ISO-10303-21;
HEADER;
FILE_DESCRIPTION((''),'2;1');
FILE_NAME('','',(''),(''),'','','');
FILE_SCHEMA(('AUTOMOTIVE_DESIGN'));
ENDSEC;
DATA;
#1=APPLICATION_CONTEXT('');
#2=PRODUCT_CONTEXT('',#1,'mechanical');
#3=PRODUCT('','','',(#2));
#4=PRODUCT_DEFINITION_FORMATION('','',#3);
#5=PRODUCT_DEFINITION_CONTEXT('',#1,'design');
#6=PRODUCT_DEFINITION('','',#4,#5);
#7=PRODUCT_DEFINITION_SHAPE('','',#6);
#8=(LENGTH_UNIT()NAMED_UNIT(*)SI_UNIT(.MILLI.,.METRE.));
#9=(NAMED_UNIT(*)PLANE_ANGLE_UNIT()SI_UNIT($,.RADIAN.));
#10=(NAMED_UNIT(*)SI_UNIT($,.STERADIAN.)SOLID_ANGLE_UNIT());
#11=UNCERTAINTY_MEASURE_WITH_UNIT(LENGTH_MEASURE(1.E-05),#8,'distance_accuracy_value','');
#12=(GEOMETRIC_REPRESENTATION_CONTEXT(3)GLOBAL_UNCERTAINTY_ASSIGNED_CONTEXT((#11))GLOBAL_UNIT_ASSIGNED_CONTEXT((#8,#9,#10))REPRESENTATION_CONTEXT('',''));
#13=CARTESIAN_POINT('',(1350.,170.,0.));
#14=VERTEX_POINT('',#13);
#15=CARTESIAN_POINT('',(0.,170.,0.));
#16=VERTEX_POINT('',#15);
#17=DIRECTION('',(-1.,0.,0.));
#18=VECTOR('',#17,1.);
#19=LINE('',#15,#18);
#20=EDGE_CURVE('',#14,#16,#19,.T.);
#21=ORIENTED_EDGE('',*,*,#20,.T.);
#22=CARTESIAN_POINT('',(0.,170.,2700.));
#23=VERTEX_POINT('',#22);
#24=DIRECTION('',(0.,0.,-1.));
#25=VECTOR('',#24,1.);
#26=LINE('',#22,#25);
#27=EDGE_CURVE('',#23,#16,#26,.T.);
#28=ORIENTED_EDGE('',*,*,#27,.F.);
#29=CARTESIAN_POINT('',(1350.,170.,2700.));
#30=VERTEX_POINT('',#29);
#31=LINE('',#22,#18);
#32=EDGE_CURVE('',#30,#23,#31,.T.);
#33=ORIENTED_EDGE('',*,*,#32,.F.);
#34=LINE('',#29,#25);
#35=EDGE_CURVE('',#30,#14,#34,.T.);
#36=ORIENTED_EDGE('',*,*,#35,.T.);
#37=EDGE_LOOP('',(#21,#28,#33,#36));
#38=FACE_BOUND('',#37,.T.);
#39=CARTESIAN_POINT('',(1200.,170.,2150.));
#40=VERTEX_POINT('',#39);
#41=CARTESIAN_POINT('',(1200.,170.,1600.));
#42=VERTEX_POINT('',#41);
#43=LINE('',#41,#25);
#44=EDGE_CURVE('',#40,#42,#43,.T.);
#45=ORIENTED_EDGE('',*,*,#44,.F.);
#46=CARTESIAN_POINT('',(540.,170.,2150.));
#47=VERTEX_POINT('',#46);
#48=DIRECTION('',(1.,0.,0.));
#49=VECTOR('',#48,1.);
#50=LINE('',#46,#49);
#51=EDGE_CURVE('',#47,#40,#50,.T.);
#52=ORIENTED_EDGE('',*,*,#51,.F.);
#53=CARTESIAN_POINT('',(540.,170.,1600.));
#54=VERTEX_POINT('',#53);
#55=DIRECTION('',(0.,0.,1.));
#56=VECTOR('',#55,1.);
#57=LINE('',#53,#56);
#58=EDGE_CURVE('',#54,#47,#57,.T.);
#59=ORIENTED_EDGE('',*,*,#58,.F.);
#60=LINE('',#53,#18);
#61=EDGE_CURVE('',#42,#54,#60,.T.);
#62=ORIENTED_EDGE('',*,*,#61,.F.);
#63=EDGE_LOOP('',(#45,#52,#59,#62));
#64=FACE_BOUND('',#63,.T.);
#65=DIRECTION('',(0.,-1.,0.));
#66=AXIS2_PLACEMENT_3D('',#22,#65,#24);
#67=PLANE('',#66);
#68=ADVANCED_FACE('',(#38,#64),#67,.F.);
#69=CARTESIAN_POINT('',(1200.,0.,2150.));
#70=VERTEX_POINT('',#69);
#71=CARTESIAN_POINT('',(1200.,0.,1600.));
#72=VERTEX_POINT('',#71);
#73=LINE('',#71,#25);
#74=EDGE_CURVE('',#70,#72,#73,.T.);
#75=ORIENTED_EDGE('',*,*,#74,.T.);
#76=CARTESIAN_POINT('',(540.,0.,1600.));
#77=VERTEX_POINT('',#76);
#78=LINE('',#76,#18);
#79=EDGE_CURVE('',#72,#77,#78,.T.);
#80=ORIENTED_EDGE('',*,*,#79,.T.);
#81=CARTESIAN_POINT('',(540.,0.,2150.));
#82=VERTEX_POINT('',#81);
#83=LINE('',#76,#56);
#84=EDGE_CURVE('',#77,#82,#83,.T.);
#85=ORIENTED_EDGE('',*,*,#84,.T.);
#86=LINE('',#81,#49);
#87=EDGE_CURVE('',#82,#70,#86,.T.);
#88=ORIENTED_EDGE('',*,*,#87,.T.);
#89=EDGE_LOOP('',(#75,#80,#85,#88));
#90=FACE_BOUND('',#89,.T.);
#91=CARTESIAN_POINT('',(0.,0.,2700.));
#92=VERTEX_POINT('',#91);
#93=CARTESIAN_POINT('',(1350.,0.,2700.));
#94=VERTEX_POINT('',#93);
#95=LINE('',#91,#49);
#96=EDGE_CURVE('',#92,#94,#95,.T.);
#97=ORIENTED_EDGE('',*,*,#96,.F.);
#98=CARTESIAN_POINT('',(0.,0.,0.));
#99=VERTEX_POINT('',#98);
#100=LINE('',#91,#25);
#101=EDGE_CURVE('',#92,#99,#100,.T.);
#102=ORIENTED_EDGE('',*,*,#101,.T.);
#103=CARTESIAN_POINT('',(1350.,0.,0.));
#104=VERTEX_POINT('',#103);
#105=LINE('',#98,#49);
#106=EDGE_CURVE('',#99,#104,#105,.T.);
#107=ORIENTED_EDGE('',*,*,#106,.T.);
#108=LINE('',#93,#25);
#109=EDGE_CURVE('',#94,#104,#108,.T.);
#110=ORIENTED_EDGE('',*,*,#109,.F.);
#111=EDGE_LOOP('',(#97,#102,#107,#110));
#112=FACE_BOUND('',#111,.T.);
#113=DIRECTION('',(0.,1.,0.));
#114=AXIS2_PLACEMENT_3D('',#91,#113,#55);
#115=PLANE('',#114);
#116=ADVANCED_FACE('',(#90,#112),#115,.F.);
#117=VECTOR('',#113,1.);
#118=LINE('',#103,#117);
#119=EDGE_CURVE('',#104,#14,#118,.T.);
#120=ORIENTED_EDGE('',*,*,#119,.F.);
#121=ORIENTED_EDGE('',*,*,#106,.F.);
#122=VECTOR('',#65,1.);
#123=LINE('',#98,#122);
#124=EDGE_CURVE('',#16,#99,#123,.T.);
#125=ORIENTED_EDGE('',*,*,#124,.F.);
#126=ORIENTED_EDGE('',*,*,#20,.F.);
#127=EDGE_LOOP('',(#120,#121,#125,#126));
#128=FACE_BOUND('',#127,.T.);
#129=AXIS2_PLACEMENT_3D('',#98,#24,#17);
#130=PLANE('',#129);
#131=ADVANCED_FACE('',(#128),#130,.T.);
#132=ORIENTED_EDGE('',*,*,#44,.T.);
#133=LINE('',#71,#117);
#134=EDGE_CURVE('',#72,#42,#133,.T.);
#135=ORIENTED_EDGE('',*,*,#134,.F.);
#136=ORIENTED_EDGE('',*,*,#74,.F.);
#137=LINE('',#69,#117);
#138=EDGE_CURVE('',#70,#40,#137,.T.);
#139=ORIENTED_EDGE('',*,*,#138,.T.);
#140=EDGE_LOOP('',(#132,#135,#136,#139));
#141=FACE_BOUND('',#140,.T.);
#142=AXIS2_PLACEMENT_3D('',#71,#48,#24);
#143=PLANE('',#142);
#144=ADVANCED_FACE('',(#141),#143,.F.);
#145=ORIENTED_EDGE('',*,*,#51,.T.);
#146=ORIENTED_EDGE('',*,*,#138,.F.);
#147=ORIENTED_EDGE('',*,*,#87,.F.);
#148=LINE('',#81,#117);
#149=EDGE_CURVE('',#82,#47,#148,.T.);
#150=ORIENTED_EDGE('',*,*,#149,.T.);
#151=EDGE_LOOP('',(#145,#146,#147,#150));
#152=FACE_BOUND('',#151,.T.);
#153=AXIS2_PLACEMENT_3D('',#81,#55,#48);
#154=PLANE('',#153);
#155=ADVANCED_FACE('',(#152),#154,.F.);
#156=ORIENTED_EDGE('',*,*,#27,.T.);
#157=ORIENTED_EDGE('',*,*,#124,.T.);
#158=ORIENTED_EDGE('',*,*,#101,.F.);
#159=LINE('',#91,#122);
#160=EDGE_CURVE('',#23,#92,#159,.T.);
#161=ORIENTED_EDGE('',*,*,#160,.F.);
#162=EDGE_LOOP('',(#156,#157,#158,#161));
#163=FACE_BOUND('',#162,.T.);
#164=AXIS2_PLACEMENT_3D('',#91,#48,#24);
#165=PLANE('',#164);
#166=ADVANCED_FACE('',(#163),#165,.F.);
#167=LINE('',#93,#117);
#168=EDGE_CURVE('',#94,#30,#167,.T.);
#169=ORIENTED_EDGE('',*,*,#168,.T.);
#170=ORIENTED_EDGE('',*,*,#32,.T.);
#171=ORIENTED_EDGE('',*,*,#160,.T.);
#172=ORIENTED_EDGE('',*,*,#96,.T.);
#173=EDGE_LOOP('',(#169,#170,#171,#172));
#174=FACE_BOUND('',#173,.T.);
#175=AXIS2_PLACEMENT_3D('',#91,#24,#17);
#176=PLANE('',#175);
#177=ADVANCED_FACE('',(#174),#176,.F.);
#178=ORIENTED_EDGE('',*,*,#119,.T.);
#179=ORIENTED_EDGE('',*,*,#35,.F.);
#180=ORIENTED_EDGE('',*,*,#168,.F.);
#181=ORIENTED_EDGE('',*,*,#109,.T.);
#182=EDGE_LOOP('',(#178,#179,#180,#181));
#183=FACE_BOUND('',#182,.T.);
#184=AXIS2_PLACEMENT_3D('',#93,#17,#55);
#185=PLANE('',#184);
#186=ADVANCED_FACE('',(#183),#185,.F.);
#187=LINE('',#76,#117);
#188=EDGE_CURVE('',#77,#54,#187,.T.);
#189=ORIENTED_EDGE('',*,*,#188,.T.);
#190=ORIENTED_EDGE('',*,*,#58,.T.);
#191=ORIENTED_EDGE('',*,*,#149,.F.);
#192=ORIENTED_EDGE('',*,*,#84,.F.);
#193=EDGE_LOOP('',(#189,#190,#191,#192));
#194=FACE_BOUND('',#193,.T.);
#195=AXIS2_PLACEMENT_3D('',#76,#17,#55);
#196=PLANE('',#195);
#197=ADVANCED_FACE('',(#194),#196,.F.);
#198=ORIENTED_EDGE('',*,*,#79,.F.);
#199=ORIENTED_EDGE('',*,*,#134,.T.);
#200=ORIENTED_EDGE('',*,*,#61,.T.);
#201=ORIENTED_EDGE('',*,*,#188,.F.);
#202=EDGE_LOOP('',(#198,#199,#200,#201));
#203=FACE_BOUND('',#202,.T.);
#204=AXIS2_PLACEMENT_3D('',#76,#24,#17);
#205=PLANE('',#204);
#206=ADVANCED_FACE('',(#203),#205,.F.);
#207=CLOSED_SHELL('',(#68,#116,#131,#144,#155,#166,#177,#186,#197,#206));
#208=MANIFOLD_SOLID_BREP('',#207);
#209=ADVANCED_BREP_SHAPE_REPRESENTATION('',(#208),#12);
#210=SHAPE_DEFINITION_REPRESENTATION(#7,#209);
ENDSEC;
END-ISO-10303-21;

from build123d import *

# Parameters (mm, degrees)
ESBO_O1_W                = 1350
ESBO_O1_H                = 170
RESSALTO_EXTRUS_O1_DEPTH = 2700
ESBO_O2_W                = 660
ESBO_O2_H                = 550
CORTE_EXTRUS_O1_DEPTH    = 171


with BuildPart() as part:
    # Esboço1 → Ressalto-extrusão1 (new body)
    with BuildSketch(Plane.XY):
        with Locations((675, 85)):
            Rectangle(ESBO_O1_W, ESBO_O1_H)
    extrude(amount=RESSALTO_EXTRUS_O1_DEPTH)

    # Esboço2 → Corte-extrusão1 (cut, through all)
    with BuildSketch(Plane(origin=(0, 170, 0), x_dir=(1, 0, 0), z_dir=(0, 1, 0))):
        with Locations((870, -1875)):
            Rectangle(ESBO_O2_W, ESBO_O2_H)
    extrude(amount=-CORTE_EXTRUS_O1_DEPTH, mode=Mode.SUBTRACT)


solid = part.part
